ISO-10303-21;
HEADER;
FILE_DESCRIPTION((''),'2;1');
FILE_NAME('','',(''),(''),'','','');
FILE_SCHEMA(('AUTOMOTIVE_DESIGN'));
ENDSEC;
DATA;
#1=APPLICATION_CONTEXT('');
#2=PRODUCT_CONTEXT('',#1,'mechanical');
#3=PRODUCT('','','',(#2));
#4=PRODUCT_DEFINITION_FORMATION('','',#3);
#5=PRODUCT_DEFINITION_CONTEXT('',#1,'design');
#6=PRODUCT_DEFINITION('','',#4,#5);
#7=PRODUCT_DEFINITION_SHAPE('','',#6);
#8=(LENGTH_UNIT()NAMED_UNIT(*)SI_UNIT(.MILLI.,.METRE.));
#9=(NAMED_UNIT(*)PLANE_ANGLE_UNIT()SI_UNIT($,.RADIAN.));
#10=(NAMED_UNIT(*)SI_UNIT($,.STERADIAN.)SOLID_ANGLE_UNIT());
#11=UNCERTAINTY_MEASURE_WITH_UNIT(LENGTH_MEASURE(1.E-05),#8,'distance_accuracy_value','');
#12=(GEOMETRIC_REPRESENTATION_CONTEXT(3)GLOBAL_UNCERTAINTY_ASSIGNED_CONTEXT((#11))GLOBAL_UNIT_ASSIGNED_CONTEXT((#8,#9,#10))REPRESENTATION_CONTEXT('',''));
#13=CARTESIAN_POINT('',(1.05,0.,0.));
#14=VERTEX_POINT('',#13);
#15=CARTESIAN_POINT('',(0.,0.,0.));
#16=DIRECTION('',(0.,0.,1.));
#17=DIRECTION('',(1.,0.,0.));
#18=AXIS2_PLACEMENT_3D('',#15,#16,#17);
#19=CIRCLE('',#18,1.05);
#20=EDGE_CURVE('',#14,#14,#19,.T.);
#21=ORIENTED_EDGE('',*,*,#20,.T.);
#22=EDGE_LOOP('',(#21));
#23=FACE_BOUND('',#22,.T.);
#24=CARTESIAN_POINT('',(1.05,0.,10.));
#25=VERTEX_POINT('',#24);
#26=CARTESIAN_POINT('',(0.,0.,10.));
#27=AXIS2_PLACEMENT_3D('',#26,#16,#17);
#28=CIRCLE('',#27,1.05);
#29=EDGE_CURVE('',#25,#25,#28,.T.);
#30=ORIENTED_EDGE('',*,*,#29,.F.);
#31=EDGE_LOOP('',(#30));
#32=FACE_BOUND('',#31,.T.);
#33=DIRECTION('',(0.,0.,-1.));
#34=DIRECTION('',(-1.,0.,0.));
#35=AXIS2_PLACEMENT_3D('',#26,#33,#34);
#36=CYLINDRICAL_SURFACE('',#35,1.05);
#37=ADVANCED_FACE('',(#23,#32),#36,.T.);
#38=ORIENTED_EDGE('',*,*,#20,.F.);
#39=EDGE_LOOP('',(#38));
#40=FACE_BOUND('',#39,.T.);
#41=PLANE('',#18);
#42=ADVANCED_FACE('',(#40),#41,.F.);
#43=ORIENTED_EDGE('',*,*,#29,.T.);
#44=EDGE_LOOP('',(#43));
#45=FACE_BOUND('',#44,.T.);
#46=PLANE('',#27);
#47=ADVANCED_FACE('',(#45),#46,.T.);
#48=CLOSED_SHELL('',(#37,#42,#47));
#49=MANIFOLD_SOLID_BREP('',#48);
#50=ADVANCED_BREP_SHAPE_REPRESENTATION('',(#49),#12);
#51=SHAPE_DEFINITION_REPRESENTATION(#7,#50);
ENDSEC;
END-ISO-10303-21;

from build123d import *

# Parameters (mm, degrees)
SKETCH1_R           = 1.05
BOSS_EXTRUDE1_DEPTH = 10


with BuildPart() as part:
    # Sketch1 → Boss-Extrude1 (new body)
    with BuildSketch(Plane.XY):
        Circle(SKETCH1_R)
    extrude(amount=BOSS_EXTRUDE1_DEPTH)


solid = part.part
